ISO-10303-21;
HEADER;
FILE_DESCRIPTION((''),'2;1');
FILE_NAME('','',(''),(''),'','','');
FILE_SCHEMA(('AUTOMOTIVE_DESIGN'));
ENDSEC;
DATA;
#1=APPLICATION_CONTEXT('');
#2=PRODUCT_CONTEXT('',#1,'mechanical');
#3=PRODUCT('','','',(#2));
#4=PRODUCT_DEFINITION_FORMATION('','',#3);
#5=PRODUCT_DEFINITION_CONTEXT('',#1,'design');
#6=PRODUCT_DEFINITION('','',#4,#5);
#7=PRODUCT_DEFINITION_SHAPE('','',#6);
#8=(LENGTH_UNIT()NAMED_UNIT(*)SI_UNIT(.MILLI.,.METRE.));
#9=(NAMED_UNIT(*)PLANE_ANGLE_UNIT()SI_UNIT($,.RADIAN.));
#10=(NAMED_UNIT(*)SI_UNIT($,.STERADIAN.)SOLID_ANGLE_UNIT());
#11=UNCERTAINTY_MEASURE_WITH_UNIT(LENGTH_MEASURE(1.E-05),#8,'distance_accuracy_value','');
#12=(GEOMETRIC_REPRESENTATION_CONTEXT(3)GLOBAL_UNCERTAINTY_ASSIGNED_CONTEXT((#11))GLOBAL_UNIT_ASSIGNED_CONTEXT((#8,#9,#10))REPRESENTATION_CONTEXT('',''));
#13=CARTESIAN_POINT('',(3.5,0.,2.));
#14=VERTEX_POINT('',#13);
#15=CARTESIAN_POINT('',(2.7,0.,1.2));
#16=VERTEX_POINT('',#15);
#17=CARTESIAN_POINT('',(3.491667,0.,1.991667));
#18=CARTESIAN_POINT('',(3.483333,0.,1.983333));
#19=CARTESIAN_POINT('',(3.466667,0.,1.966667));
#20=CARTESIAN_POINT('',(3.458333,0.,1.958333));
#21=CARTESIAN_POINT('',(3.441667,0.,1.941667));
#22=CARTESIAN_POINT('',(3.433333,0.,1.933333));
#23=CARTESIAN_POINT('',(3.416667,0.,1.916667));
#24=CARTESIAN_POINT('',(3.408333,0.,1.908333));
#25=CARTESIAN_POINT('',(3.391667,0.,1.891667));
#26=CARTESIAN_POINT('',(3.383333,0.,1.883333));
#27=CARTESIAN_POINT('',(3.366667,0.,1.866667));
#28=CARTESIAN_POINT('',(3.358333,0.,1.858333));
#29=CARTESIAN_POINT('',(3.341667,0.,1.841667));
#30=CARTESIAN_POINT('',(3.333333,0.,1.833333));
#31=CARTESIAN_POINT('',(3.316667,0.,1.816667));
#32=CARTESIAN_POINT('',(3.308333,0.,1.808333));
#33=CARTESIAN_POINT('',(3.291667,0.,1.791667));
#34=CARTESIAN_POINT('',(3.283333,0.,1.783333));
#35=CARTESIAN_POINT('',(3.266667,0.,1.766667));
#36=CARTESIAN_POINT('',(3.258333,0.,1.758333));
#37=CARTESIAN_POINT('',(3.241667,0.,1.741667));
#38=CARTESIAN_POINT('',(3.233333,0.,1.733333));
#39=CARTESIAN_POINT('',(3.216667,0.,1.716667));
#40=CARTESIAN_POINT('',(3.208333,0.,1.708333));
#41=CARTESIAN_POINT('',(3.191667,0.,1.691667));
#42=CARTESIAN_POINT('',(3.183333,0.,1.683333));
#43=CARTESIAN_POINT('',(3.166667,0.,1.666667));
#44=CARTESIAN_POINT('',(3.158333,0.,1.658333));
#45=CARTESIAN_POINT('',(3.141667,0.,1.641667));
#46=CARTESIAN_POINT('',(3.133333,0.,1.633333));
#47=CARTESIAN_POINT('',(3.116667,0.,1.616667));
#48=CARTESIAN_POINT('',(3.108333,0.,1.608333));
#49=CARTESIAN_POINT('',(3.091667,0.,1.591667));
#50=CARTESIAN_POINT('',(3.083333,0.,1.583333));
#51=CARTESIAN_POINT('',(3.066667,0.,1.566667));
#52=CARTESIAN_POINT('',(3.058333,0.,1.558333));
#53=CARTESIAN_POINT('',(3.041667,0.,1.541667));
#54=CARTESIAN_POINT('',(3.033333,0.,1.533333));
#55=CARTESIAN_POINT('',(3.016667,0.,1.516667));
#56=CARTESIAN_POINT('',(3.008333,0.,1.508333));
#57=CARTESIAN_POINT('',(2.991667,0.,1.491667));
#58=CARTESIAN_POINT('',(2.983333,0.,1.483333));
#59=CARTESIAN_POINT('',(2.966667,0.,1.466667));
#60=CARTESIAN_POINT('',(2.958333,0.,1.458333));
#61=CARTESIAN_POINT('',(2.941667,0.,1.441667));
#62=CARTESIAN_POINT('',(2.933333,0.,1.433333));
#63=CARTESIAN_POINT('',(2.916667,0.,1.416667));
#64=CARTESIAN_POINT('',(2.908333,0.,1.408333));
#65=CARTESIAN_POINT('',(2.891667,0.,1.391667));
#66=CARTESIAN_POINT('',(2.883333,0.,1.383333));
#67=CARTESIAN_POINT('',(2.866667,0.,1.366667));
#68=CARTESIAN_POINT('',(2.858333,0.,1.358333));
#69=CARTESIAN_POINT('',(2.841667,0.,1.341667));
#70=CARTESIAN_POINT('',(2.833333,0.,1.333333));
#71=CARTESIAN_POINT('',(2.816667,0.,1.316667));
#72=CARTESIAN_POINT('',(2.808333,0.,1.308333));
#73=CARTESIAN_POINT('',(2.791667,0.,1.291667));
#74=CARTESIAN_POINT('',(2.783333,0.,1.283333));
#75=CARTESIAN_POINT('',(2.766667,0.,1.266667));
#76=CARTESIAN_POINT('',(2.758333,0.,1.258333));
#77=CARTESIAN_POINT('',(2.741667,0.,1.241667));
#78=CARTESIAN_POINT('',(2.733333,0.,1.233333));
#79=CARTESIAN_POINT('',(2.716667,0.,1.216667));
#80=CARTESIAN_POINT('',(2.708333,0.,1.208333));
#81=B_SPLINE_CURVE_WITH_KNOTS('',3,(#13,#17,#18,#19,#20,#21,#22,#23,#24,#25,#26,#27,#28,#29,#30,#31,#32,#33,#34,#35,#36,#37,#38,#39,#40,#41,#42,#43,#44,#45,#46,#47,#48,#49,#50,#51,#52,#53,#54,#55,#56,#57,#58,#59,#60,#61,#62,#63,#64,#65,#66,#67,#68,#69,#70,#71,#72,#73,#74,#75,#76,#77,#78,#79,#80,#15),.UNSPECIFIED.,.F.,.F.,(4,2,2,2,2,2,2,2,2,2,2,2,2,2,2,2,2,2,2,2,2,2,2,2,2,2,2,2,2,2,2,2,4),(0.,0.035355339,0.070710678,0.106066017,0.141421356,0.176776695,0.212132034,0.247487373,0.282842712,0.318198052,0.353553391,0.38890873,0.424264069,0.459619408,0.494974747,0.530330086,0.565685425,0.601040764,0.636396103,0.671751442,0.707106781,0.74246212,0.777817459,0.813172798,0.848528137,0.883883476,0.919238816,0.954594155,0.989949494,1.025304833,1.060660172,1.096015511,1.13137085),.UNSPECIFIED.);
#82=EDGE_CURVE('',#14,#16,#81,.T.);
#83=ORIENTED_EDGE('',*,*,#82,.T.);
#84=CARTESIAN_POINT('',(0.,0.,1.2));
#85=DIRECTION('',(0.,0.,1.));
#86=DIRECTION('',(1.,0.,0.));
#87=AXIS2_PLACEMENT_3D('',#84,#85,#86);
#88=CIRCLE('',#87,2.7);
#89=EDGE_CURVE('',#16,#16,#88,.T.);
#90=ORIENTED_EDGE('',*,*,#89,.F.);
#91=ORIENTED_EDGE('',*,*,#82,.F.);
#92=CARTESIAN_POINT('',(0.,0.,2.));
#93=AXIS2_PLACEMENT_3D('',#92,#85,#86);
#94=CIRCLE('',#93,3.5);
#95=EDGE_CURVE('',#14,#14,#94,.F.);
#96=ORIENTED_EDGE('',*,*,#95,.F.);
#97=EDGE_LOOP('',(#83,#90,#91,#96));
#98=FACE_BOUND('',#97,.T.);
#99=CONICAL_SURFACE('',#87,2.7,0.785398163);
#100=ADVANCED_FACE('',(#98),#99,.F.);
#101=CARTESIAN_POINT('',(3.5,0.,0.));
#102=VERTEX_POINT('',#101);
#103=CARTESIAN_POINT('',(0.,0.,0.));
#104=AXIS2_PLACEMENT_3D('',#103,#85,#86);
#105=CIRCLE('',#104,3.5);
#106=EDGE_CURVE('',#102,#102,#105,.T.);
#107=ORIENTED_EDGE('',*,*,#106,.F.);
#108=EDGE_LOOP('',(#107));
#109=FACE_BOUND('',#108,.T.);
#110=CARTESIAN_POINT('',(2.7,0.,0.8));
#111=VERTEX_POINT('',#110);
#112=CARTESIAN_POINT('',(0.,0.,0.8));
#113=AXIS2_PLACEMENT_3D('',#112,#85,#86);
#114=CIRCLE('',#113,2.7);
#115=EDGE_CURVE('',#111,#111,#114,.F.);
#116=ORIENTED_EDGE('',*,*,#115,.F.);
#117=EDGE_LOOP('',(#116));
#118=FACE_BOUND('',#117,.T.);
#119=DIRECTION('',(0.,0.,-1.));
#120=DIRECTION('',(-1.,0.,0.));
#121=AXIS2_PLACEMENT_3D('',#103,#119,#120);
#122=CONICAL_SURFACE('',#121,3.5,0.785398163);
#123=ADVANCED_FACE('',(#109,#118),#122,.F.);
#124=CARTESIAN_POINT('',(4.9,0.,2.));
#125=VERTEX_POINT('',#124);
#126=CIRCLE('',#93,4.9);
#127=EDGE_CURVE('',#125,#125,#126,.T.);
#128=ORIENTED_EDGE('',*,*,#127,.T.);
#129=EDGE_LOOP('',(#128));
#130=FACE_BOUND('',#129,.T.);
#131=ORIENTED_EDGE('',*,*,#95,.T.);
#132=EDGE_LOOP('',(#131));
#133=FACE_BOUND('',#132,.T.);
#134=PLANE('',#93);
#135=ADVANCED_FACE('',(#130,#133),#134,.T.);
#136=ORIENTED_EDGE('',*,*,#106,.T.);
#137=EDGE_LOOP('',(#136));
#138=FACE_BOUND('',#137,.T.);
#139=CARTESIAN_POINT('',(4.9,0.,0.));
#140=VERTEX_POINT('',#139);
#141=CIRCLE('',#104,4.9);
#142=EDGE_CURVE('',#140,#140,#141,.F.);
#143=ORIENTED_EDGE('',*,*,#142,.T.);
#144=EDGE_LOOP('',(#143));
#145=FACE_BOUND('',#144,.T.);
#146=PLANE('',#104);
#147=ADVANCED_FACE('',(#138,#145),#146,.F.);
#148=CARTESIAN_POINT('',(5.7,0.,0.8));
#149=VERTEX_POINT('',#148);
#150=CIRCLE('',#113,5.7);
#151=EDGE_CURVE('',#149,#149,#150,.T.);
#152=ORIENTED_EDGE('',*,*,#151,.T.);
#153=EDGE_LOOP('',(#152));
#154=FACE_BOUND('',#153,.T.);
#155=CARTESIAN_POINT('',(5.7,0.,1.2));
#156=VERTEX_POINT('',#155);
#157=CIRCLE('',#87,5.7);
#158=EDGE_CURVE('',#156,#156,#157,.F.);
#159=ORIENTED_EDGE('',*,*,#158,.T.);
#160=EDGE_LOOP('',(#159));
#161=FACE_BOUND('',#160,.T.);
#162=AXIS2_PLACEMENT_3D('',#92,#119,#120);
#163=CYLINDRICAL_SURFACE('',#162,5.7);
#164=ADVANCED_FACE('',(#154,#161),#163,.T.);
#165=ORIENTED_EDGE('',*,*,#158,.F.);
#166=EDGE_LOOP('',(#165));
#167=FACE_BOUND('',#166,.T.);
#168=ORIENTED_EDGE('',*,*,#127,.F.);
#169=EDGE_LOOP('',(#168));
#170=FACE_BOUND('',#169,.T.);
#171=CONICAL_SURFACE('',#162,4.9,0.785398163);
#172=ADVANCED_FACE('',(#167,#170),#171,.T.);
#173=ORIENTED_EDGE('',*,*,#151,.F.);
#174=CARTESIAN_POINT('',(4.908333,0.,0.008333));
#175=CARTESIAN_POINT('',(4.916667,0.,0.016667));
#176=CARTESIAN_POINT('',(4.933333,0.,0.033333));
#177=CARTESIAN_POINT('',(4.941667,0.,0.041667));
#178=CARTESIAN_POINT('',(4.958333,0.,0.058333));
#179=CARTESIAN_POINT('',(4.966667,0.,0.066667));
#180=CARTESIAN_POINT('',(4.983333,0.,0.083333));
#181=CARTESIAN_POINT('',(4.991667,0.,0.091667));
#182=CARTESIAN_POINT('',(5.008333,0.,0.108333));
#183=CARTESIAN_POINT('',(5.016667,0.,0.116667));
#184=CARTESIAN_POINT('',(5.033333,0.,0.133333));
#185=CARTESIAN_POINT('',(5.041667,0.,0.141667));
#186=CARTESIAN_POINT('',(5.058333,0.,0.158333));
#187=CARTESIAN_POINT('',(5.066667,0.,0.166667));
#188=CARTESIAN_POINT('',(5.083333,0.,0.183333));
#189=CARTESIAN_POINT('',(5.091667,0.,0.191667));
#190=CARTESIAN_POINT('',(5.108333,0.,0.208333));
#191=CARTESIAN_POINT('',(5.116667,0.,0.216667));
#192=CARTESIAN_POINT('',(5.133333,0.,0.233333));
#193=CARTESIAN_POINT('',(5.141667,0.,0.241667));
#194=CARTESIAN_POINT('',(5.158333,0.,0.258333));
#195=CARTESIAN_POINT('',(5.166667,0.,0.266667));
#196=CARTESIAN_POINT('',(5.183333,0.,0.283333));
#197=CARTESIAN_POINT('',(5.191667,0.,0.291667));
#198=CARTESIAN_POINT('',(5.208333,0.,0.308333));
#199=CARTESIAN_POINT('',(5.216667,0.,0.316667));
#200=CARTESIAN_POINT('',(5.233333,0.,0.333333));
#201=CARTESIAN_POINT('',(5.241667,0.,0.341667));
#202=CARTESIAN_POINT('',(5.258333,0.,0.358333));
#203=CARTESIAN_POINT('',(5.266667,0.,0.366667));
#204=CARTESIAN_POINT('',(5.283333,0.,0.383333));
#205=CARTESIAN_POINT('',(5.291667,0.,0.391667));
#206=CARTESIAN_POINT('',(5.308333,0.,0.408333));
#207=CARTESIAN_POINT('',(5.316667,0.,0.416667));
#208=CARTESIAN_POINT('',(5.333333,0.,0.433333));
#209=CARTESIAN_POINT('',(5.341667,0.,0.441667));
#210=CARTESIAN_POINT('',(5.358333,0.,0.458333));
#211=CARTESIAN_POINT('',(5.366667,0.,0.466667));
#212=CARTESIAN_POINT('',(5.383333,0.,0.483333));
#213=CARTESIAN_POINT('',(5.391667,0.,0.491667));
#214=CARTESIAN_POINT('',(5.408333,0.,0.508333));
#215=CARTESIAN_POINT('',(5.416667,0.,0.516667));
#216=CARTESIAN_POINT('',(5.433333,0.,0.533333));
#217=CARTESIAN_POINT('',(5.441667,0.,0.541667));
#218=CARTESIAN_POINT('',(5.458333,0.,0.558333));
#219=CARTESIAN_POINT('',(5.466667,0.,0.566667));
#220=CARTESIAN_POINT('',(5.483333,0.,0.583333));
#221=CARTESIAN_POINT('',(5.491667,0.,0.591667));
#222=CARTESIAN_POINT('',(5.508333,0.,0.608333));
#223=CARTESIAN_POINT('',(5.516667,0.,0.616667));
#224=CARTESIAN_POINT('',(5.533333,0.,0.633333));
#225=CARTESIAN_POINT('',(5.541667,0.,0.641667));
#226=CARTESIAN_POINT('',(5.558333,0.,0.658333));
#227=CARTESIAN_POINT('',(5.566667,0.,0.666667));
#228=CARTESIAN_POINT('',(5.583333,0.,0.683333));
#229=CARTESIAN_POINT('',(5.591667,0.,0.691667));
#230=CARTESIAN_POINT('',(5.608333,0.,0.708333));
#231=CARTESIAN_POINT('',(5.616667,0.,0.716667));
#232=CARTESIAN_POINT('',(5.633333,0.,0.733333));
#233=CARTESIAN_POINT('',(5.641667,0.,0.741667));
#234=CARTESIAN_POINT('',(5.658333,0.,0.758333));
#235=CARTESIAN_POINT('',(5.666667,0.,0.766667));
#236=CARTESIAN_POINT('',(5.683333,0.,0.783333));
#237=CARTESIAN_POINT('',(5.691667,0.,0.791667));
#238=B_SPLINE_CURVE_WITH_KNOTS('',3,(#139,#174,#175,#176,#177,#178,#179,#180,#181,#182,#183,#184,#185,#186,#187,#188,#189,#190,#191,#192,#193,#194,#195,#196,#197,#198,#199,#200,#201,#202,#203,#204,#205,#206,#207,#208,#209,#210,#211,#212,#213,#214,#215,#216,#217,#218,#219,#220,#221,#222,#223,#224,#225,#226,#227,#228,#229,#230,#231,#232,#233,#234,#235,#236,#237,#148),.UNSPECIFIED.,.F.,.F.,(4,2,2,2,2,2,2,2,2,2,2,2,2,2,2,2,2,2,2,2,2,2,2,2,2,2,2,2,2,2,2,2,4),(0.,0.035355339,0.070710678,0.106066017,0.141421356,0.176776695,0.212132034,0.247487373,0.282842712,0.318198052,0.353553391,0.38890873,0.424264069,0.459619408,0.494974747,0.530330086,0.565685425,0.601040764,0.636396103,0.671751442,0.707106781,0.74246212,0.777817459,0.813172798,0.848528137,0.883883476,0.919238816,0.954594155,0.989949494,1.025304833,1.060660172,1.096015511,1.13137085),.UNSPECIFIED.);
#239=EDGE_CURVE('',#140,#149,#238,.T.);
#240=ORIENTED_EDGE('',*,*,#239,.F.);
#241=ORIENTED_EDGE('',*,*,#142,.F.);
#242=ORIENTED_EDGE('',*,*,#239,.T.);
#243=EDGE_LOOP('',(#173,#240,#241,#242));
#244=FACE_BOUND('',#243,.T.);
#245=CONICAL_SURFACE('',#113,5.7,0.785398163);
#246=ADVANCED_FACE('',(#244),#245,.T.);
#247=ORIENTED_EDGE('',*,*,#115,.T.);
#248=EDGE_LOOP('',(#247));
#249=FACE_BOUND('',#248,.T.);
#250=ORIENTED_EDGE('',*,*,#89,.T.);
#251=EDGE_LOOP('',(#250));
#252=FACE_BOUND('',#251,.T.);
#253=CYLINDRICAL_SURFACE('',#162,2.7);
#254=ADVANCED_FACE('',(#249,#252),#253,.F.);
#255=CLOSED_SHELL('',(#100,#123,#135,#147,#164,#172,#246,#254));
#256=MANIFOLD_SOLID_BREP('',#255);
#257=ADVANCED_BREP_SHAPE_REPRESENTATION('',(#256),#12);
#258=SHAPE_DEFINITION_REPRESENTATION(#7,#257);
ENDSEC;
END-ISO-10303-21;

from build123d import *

# Parameters (mm, degrees)
ESBO_O1_R                = 5.7
ESBO_O1_R_2              = 2.7
RESSALTO_EXTRUS_O1_DEPTH = 2
CHANFRO1_SIZE            = 0.8


with BuildPart() as part:
    # Esboço1 → Ressalto-extrusão1 (new body)
    with BuildSketch(Plane.XY):
        Circle(ESBO_O1_R)
        Circle(ESBO_O1_R_2, mode=Mode.SUBTRACT)
    extrude(amount=RESSALTO_EXTRUS_O1_DEPTH)

    # Chanfro1
    chanfro1_edges = [part.edges().sort_by_distance(p)[0] for p in [
        (-5.7, 0, 0),
        (-5.7, 0, 2),
        (-2.7, 0, 0),
        (-2.7, 0, 2),
    ]]
    chamfer(chanfro1_edges, length=CHANFRO1_SIZE)


solid = part.part
